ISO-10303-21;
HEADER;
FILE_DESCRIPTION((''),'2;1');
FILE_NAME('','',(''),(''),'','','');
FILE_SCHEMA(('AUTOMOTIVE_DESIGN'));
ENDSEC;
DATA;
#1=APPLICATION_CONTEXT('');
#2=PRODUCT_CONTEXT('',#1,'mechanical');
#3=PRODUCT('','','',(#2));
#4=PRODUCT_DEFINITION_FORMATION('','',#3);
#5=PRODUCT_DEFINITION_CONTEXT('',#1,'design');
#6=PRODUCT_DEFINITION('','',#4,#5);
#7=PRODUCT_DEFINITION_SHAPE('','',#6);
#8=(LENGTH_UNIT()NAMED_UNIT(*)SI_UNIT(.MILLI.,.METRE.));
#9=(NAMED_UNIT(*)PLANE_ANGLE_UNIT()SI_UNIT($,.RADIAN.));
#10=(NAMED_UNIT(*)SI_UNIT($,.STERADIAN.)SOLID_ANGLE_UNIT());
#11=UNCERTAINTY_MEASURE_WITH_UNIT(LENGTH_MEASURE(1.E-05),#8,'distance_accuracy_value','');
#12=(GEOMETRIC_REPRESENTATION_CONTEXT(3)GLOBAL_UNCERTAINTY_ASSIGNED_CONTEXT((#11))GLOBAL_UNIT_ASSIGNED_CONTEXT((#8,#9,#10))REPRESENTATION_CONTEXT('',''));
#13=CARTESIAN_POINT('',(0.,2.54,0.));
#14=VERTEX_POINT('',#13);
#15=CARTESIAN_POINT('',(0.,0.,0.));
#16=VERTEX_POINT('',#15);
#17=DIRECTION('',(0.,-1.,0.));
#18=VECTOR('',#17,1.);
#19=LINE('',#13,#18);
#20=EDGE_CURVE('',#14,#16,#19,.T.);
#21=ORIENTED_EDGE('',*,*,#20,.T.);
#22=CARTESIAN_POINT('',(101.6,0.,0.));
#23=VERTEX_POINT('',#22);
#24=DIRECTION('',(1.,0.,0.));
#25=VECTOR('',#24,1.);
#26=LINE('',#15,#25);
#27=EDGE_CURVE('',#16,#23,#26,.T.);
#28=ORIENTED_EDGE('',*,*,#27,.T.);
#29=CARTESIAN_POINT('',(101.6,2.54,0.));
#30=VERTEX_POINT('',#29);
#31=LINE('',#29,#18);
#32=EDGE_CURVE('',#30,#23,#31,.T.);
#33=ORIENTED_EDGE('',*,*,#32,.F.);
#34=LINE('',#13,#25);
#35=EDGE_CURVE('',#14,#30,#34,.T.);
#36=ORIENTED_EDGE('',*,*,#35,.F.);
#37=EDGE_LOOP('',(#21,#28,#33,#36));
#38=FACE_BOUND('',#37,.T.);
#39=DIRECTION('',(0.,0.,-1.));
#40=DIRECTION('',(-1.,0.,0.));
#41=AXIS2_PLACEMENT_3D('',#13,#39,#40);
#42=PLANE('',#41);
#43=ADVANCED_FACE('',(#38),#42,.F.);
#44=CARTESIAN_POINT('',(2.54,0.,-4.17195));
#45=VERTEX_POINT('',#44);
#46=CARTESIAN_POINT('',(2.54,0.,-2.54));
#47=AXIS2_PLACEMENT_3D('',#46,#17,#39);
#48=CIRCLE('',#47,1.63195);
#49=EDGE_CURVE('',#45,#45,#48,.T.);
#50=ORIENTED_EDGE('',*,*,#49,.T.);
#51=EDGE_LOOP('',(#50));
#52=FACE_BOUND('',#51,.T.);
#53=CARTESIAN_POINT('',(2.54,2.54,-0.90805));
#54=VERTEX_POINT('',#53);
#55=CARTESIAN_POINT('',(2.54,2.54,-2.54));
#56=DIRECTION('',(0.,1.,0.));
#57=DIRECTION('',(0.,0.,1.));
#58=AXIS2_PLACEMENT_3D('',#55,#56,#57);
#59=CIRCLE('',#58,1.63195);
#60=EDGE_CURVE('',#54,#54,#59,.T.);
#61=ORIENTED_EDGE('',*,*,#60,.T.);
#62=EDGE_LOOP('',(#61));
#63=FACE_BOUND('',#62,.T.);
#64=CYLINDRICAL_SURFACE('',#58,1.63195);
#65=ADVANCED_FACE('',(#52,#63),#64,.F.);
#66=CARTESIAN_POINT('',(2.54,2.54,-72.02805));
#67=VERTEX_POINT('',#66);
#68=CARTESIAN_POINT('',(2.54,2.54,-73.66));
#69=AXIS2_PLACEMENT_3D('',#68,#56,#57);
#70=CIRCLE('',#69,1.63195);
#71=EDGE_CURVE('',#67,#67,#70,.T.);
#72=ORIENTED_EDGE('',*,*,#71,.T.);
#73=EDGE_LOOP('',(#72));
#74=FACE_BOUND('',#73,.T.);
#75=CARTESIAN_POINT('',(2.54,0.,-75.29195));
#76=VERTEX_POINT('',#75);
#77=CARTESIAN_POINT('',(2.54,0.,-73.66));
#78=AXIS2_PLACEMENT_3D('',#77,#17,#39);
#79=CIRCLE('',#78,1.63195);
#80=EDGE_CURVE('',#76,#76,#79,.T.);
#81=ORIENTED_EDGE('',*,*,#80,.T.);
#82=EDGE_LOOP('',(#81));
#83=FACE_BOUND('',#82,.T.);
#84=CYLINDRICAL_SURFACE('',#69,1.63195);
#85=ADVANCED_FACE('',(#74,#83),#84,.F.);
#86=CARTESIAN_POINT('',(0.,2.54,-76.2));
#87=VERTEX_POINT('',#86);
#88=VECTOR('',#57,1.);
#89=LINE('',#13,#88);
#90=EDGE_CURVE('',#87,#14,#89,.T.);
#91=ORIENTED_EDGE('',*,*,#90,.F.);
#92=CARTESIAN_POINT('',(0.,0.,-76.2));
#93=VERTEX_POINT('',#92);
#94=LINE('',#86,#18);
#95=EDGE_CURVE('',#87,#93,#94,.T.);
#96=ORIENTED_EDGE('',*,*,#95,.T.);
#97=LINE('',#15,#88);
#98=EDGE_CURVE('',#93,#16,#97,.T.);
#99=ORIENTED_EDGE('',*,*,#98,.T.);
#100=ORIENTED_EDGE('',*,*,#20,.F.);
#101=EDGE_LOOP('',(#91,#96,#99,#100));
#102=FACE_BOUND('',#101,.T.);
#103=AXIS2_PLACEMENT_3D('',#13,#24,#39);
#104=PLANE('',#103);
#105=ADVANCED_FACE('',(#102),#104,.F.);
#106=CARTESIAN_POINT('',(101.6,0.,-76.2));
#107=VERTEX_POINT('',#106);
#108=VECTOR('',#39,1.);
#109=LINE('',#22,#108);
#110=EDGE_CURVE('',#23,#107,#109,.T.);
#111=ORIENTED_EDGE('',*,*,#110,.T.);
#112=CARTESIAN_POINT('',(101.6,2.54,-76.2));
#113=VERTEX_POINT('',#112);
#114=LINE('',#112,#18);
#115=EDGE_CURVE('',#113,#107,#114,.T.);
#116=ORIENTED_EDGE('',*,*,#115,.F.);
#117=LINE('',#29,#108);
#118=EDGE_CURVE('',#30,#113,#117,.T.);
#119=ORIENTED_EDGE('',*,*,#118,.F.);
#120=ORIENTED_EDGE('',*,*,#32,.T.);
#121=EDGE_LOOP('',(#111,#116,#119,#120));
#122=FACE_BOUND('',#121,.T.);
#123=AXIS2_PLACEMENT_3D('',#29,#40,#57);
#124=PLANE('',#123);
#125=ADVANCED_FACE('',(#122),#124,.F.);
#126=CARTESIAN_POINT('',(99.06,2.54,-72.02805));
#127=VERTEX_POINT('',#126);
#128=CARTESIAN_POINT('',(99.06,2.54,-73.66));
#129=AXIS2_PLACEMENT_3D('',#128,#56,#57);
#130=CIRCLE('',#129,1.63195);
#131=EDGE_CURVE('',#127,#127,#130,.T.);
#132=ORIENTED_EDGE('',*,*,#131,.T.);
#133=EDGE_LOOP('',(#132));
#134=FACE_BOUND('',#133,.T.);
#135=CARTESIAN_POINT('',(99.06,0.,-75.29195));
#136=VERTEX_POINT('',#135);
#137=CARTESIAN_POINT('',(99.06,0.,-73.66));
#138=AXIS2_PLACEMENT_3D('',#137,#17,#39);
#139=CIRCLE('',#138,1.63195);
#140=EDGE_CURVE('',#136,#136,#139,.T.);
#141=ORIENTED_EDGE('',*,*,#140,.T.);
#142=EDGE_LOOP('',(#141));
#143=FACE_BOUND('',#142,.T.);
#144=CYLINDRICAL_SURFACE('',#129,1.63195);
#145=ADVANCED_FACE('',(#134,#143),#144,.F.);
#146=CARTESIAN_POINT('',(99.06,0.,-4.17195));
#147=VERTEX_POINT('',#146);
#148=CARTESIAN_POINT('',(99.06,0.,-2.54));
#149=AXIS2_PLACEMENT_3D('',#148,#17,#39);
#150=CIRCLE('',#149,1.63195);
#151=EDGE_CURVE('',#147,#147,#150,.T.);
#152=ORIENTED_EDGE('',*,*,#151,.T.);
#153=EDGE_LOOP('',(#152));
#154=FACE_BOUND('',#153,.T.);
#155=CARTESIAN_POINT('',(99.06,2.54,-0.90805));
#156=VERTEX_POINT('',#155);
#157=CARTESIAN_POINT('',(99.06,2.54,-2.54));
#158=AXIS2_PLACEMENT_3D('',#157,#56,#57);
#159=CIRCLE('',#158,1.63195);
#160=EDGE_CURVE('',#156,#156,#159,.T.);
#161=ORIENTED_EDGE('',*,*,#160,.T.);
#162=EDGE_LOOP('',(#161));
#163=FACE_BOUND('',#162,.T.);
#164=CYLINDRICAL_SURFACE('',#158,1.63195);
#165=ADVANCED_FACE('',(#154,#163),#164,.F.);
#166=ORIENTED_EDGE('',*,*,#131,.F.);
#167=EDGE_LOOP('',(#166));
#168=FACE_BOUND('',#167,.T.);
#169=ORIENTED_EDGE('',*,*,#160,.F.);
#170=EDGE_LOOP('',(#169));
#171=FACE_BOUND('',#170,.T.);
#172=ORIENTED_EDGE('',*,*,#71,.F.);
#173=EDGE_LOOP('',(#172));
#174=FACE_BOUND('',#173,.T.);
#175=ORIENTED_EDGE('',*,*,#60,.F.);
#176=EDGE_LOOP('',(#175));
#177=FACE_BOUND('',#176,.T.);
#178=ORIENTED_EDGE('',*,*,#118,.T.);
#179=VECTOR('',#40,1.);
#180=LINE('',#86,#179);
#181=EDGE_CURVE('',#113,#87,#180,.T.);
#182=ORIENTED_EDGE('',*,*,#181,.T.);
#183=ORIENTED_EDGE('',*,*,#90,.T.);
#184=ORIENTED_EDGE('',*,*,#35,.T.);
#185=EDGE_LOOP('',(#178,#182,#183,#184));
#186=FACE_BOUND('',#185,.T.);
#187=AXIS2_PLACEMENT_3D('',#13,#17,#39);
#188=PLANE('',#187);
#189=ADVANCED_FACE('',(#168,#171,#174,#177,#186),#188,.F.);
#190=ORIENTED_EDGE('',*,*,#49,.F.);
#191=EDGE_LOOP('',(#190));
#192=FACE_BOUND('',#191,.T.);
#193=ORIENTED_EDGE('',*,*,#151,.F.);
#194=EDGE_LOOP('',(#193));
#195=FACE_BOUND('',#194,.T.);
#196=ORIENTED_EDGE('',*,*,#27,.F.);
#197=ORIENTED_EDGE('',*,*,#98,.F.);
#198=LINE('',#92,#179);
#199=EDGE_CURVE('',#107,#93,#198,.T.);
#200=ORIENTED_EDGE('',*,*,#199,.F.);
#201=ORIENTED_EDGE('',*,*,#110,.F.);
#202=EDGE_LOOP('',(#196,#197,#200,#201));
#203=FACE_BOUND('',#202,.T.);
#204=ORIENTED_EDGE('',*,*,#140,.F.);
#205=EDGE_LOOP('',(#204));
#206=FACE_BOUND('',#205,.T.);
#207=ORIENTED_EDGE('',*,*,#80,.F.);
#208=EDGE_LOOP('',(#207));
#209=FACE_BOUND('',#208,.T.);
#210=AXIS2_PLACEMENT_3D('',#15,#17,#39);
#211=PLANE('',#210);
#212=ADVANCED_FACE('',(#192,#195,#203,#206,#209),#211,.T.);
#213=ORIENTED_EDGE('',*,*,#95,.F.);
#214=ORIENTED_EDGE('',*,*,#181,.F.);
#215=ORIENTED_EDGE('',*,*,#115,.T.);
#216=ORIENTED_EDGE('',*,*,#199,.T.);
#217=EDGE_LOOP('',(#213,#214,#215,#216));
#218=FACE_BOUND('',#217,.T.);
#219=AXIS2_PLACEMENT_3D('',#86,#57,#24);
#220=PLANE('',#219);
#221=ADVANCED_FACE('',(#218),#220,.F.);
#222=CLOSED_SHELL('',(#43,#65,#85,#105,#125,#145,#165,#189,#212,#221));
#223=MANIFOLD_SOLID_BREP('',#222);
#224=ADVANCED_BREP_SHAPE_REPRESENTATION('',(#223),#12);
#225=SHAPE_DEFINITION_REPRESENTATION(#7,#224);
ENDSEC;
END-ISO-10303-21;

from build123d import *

# Parameters (mm, degrees)
SKETCH1_W                 = 101.6
SKETCH1_H                 = 76.2
BOSS_EXTRUDE1_DEPTH       = 2.54
F_4_CLEARANCE_HOLE1_D     = 3.2639
F_4_CLEARANCE_HOLE1_DEPTH = 10.16
F_4_CLEARANCE_HOLE1_TIP   = 0.980574487


with BuildPart() as part:
    # Sketch1 → Boss-Extrude1 (new body)
    with BuildSketch(Plane(origin=(0, 0, 0), x_dir=(1, 0, 0), z_dir=(0, 1, 0))):
        with Locations((50.8, 38.1)):
            Rectangle(SKETCH1_W, SKETCH1_H)
    extrude(amount=BOSS_EXTRUDE1_DEPTH)

    # #4 Clearance Hole1
    with Locations(Plane(origin=(0, 2.54, 0), x_dir=(1, 0, 0), z_dir=(0, 1, 0))):
        with Locations((2.54, 73.66), (2.54, 2.54), (99.06, 73.66), (99.06, 2.54)):
            Hole(F_4_CLEARANCE_HOLE1_D / 2, depth=F_4_CLEARANCE_HOLE1_DEPTH)
            with Locations((0, 0, -(F_4_CLEARANCE_HOLE1_DEPTH + F_4_CLEARANCE_HOLE1_TIP / 2))):  # 118° drill point
                Cone(0, F_4_CLEARANCE_HOLE1_D / 2, F_4_CLEARANCE_HOLE1_TIP, mode=Mode.SUBTRACT)


solid = part.part
